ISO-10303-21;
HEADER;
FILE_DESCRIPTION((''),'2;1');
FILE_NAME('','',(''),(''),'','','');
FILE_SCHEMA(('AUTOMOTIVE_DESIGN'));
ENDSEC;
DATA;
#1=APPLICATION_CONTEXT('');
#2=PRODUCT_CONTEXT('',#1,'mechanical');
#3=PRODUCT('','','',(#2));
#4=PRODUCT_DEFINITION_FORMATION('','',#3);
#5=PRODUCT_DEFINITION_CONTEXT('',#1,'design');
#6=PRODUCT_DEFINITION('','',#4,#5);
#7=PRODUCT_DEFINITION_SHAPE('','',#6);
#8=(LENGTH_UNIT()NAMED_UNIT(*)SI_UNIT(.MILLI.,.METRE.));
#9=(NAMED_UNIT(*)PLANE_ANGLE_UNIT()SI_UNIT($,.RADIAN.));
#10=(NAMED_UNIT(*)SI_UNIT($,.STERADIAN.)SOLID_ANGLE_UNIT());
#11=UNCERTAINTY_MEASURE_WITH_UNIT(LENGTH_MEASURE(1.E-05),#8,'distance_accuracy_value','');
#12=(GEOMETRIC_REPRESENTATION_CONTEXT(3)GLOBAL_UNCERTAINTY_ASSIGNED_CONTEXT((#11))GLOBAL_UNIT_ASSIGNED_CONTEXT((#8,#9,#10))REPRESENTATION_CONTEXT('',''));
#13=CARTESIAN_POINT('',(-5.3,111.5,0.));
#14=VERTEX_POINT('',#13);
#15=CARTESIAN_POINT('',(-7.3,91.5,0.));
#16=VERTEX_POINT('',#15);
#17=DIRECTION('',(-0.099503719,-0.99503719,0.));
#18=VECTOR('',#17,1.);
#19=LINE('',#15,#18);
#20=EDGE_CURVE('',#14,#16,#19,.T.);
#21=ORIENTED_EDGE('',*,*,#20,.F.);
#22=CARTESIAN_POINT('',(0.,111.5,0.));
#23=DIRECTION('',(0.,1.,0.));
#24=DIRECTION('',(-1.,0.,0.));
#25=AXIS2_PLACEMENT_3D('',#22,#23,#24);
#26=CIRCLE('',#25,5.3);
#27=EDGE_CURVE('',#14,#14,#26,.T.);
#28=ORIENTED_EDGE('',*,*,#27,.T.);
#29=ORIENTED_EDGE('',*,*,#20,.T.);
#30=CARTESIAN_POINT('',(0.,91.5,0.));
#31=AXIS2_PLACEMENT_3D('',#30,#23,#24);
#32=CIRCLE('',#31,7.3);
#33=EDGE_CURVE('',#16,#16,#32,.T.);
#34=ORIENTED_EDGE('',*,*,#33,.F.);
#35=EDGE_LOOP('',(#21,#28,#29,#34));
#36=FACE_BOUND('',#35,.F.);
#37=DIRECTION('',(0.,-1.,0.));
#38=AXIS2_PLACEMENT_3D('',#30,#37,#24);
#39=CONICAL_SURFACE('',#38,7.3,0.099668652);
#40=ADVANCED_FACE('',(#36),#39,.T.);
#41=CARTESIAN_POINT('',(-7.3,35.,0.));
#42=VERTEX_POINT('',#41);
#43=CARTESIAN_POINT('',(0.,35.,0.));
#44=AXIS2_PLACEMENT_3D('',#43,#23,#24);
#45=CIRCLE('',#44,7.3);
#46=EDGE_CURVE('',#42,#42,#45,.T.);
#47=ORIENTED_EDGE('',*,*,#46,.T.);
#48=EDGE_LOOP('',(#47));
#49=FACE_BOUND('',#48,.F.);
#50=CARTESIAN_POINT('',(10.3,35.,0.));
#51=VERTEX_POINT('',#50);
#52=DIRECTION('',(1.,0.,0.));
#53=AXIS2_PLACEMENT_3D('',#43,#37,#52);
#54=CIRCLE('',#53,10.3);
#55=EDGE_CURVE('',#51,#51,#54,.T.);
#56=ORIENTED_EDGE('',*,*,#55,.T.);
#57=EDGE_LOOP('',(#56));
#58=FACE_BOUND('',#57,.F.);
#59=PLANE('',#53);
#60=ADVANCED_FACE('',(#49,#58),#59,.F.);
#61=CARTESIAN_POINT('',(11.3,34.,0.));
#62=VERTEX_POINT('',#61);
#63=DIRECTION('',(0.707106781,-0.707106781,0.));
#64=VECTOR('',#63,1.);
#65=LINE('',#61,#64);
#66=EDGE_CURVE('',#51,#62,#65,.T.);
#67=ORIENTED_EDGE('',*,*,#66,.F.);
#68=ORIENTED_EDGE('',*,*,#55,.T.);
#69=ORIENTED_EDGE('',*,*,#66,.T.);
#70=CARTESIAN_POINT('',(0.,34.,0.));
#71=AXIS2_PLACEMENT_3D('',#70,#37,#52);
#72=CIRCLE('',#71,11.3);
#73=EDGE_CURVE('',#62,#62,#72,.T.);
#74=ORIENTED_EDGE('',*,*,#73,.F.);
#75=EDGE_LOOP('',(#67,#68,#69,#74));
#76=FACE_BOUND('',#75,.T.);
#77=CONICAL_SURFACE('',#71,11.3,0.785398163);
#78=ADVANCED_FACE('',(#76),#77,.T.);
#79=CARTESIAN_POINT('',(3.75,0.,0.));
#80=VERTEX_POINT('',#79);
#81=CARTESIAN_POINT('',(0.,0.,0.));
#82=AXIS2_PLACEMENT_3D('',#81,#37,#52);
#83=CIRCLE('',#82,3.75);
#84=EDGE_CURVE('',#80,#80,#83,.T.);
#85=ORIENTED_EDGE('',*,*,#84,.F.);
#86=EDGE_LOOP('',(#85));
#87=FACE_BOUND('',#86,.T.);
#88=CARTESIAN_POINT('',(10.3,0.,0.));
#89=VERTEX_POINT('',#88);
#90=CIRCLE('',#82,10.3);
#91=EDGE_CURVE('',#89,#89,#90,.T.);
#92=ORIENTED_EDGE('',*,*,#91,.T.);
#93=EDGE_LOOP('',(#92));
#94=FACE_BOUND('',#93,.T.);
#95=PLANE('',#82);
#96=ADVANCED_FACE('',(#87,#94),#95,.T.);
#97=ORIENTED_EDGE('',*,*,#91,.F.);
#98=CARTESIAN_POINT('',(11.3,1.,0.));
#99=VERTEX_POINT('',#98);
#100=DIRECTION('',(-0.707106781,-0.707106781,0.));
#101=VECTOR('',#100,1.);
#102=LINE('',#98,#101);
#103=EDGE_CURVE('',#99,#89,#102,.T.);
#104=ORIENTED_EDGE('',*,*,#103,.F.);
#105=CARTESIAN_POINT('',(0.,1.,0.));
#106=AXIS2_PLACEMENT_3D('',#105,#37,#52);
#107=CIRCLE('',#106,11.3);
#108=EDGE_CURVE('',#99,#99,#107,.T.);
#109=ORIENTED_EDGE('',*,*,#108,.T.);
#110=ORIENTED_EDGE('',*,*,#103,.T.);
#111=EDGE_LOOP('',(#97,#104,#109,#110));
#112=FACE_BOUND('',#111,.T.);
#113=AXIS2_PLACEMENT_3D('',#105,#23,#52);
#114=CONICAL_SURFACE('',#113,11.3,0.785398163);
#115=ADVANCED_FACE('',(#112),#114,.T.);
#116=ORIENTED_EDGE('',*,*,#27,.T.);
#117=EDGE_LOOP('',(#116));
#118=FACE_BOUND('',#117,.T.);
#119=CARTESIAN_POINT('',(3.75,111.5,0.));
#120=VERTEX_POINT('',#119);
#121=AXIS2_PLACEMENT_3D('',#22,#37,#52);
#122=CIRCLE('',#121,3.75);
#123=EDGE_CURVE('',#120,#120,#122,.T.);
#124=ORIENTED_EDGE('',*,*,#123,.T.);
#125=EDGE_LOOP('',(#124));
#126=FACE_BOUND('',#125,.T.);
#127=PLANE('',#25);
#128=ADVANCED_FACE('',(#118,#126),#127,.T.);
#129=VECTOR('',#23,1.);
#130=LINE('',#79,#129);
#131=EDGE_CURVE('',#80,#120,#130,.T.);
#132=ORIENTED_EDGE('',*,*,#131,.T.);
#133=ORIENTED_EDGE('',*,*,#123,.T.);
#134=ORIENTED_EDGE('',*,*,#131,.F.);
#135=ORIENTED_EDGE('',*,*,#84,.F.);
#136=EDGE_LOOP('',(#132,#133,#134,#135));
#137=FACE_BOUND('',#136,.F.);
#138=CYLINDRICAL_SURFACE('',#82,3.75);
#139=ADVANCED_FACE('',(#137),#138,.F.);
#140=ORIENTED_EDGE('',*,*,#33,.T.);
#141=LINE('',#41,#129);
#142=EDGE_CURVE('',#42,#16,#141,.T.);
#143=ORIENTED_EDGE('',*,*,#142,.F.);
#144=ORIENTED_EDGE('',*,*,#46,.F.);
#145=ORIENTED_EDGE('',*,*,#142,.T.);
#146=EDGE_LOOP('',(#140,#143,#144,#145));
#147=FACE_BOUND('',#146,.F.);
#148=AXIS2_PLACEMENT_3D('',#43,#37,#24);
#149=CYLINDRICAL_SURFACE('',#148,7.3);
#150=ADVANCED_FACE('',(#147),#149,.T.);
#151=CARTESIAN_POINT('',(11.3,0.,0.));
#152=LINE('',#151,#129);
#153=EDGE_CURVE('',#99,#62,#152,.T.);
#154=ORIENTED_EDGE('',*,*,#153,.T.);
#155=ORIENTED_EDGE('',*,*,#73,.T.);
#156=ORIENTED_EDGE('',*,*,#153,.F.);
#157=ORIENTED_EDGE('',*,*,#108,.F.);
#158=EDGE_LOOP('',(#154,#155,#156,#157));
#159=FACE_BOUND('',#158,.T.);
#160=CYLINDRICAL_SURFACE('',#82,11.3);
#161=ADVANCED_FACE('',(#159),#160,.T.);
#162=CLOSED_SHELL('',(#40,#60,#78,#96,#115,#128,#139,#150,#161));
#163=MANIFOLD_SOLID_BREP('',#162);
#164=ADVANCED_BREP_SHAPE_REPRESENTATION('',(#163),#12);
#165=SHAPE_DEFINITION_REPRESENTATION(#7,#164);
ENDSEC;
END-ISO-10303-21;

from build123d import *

# Parameters (mm, degrees)
F0_R     = 11.3
F1_DEPTH = 35
F2_SIZE  = 1
F3_R     = 7.3
F4_DEPTH = 76.5
F5_SIZE2 = 20
F5_SIZE  = 2
F6_R     = 3.75
F7_DEPTH = 111.501
F8_SIZE  = 1


with BuildPart() as f1:
    # F0 (on Front) → F1 (new body)
    with BuildSketch(Plane.XZ):
        Circle(F0_R)
    extrude(amount=-F1_DEPTH)

    # F2
    f2_edges = [f1.edges().sort_by_distance(p)[0] for p in [
        (-11.3, 0, 0),
    ]]
    chamfer(f2_edges, length=F2_SIZE)

    # F3 (on face) → F4 (join)
    with BuildSketch(Plane(origin=(0, 35, 0), x_dir=(-1, 0, 0), z_dir=(0, 1, 0))):
        Circle(F3_R)
    extrude(amount=F4_DEPTH)

    # F5
    f5_edges = [f1.edges().sort_by_distance(p)[0] for p in [
        (7.3, 111.5, 0),
    ]]
    f5_side = f1.faces().sort_by_distance((0, 111.5, 0))[0]
    chamfer(f5_edges, length=F5_SIZE, length2=F5_SIZE2, reference=f5_side)

    # F6 (on face) → F7 (cut, through all)
    with BuildSketch(Plane.XZ):
        Circle(F6_R)
    extrude(amount=-F7_DEPTH, mode=Mode.SUBTRACT)

    # F8
    f8_edges = [f1.edges().sort_by_distance(p)[0] for p in [
        (-11.3, 35, 0),
    ]]
    chamfer(f8_edges, length=F8_SIZE)


solid = f1.part
